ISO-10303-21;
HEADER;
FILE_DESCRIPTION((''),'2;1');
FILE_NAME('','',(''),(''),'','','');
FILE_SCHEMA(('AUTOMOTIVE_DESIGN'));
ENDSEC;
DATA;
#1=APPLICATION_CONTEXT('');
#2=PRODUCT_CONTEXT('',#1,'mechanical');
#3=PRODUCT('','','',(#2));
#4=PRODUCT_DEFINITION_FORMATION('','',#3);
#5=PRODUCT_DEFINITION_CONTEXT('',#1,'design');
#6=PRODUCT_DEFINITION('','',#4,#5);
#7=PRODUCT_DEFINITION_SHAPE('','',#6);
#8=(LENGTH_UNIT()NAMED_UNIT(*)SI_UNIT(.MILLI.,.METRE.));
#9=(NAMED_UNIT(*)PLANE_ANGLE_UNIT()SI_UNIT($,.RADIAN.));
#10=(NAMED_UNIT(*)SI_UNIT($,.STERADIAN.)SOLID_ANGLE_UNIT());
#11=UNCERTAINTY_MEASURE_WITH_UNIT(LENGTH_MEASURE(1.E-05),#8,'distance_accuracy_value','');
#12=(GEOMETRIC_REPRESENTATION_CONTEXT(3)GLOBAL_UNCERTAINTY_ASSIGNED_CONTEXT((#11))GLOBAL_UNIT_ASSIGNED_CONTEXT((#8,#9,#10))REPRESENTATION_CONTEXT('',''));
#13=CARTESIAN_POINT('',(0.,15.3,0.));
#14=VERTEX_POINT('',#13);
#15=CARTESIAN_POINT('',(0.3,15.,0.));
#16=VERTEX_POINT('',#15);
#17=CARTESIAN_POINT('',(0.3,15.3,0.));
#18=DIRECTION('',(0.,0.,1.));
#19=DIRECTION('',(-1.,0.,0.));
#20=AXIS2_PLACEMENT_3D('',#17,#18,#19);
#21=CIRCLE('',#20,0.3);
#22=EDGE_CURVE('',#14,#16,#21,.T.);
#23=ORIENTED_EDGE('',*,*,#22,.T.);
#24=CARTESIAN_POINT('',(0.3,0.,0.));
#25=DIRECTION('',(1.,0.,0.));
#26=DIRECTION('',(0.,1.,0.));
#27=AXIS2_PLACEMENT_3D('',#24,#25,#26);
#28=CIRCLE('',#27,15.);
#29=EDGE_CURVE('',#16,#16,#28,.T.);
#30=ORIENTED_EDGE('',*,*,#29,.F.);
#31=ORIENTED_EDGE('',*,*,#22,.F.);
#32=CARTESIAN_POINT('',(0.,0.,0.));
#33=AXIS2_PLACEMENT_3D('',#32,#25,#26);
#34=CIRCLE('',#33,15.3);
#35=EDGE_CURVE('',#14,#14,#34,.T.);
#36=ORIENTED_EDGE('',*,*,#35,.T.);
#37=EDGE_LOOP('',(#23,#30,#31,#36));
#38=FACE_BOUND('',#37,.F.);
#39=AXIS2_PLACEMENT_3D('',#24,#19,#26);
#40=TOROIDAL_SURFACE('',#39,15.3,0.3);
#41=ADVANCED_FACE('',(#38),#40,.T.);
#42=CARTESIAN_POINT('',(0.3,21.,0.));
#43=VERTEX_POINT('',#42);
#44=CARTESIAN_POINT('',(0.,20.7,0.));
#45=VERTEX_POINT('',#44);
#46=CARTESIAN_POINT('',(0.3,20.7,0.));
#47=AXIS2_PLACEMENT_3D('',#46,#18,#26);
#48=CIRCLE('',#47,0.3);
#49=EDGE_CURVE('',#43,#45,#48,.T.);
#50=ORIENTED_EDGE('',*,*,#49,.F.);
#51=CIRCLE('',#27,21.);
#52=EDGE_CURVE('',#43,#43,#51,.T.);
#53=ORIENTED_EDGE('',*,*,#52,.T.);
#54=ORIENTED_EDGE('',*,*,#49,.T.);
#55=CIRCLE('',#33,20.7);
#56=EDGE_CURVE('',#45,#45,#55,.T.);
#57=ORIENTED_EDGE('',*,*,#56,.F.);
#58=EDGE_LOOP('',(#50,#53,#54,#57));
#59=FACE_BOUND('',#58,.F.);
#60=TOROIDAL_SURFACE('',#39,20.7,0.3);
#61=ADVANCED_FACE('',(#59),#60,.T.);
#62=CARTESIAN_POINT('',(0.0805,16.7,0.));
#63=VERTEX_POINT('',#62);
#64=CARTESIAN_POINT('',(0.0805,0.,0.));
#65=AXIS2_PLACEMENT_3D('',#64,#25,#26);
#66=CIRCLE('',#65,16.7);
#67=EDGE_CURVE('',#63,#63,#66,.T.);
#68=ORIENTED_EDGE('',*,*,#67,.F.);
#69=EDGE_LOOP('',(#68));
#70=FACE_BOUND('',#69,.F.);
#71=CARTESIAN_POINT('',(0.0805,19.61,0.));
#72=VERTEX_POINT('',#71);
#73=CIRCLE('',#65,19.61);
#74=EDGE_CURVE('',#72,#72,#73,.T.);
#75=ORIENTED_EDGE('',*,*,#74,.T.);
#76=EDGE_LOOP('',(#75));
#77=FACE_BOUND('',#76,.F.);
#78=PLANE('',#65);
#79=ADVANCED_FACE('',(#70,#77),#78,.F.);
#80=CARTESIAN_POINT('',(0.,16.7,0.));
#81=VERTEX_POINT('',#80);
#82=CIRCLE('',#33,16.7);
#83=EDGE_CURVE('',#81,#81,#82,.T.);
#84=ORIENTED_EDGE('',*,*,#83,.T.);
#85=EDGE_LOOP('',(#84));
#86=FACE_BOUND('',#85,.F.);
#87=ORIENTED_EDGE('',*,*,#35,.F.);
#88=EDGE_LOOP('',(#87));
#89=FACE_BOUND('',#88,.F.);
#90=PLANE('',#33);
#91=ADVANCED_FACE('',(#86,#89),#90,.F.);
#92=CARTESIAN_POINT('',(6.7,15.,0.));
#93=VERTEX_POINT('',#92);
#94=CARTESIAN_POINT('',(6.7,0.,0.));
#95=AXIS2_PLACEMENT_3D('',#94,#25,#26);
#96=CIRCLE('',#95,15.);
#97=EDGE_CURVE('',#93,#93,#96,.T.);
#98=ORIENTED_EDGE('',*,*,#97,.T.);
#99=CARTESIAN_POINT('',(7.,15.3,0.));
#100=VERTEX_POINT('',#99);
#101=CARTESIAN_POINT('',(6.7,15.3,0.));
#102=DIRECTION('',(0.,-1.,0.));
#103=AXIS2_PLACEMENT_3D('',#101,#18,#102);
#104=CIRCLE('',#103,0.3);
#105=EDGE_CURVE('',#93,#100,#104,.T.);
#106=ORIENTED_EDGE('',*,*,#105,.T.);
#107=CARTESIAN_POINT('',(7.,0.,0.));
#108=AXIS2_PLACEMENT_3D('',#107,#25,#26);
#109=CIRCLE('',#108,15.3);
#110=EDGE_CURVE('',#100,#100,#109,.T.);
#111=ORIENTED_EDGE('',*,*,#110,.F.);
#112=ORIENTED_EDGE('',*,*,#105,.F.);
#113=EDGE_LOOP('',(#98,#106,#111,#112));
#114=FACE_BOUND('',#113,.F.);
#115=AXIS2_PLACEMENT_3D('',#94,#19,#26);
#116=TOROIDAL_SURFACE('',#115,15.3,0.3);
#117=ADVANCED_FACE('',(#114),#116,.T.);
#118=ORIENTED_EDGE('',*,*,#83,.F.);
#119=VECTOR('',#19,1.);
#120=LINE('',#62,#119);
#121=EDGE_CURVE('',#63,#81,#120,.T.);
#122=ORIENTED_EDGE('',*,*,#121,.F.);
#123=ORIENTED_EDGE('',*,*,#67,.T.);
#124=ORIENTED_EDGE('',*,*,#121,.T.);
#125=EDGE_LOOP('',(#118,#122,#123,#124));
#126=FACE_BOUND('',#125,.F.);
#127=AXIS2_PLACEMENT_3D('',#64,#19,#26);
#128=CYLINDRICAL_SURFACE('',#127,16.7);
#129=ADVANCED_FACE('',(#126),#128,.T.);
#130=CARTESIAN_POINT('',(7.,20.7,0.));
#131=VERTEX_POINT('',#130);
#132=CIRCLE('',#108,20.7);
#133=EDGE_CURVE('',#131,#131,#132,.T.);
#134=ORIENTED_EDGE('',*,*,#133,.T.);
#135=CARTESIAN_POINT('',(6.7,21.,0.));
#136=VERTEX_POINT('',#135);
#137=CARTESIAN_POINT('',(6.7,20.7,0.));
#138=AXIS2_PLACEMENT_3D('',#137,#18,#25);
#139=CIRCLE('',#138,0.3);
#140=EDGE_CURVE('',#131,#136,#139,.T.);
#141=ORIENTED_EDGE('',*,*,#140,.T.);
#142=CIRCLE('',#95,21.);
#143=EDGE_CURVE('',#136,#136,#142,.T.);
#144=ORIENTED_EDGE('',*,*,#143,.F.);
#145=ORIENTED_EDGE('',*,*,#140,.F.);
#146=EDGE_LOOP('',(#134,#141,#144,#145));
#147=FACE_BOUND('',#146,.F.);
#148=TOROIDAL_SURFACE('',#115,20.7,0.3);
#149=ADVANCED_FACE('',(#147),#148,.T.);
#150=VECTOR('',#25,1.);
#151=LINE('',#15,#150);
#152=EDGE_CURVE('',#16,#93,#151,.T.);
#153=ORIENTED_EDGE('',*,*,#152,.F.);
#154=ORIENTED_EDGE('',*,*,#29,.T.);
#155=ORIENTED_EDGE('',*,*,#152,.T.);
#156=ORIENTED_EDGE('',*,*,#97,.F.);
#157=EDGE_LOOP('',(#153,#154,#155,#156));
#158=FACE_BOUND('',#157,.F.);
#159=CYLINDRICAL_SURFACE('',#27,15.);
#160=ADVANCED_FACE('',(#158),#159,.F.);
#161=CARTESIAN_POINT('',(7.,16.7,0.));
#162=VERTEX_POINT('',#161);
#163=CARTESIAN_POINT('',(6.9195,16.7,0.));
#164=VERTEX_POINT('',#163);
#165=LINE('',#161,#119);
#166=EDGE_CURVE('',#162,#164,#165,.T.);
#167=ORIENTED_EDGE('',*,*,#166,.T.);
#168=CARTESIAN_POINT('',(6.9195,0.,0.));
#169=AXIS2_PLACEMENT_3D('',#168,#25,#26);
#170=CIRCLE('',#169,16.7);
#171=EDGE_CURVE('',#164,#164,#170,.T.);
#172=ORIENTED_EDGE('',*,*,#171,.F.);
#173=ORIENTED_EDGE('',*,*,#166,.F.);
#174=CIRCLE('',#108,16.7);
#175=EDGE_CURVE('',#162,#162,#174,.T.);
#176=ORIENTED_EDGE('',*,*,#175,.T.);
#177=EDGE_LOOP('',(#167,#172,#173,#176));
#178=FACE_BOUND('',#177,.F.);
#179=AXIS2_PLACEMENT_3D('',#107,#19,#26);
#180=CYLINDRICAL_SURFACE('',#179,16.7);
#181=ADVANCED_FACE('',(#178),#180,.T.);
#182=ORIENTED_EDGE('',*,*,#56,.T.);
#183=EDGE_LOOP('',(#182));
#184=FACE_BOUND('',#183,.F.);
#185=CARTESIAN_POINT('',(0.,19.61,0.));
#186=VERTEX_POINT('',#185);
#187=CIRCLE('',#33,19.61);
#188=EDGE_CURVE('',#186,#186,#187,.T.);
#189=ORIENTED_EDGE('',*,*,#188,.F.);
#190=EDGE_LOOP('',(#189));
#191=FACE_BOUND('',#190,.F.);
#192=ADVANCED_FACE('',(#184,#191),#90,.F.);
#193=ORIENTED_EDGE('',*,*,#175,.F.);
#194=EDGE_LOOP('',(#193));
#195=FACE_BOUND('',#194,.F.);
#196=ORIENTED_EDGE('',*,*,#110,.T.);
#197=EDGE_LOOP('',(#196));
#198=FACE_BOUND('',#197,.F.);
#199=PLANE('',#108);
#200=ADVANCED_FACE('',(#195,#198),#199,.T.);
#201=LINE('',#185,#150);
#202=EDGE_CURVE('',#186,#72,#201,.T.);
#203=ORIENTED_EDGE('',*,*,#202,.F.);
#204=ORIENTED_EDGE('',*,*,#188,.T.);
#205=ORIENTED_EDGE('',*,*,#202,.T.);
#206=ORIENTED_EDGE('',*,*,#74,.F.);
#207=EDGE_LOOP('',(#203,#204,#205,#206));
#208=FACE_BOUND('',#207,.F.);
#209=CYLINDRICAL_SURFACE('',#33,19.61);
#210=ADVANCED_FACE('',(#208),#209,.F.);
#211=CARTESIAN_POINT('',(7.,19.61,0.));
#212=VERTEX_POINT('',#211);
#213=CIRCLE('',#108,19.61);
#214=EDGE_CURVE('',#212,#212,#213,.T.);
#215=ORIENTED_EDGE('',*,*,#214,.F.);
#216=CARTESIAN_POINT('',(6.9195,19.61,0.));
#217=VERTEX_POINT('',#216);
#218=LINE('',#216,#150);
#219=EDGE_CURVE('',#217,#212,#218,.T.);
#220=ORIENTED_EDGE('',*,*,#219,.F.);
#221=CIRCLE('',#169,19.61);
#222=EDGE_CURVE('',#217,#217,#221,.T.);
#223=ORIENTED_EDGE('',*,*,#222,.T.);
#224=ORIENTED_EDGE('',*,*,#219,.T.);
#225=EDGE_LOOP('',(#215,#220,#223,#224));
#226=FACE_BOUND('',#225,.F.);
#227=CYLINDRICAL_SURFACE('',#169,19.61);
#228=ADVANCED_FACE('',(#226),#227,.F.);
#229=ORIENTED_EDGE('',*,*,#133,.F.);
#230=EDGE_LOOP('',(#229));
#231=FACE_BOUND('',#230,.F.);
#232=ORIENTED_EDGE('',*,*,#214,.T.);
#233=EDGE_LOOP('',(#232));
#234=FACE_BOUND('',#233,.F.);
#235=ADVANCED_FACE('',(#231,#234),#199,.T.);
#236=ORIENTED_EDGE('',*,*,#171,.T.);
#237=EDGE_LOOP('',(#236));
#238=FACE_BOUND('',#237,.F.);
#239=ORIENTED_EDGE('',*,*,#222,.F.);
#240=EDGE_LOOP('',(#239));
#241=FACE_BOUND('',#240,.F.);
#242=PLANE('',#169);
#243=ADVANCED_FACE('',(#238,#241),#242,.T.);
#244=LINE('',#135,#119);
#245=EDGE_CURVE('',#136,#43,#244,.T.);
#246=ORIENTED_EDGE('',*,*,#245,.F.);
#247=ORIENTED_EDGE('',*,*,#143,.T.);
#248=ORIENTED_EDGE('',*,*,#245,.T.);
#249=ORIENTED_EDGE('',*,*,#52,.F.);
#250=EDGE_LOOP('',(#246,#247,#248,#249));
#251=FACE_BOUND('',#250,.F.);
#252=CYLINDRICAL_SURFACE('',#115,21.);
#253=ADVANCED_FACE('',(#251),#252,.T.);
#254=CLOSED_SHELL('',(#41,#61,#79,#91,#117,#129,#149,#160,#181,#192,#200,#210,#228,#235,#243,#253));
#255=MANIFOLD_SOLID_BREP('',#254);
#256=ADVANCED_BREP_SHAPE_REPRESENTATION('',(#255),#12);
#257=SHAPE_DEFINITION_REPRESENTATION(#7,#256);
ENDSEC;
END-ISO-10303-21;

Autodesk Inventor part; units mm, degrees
sketch "Sketch_1" plane through (0, 0, 0) normal (0, 0, 1) x (1, 0, 0)
  line L0 (7, 0) -> (0, 0)
  arc A0 (0, 15.3) -> (0.3, 15) centre (0.3, 15.3) ccw
  line L1 (0.3, 15) -> (6.7, 15)
  arc A1 (6.7, 15) -> (7, 15.3) centre (6.7, 15.3) ccw
  line L2 (7, 15.3) -> (7, 16.7)
  line L3 (7, 16.7) -> (6.9195, 16.7)
  line L4 (6.9195, 16.7) -> (6.9195, 19.61)
  line L5 (6.9195, 19.61) -> (7, 19.61)
  line L6 (7, 19.61) -> (7, 20.7)
  arc A2 (7, 20.7) -> (6.7, 21) centre (6.7, 20.7) ccw
  line L7 (6.7, 21) -> (0.3, 21)
  arc A3 (0.3, 21) -> (0, 20.7) centre (0.3, 20.7) ccw
  line L8 (0, 20.7) -> (0, 19.61)
  line L9 (0, 19.61) -> (0.0805, 19.61)
  line L10 (0.0805, 19.61) -> (0.0805, 16.7)
  line L11 (0.0805, 16.7) -> (0, 16.7)
  line L12 (0, 16.7) -> (0, 15.3)
revolve "Revolution1" add sketch "Sketch_1" angle 360 about axis through (7, 0, 0) along (1, 0, 0)
ref_plane "center_point_XY" through (3.5, 0, 0) normal (1, 0, 0) x (0, 0, -1)
ref_plane "center_point_YZ" through (3.5, 0, 0) normal (0, 0, -1) x (0, 1, 0)
ref_plane "center_point_ZX" through (3.5, 0, 0) normal (0, 1, 0) x (1, 0, 0)
ref_plane "to_housing_XY" through (0, 0, 0) normal (1, 0, 0) x (0, 0, -1)
ref_plane "to_housing_YZ" through (0, 0, 0) normal (0, 0, -1) x (0, 1, 0)
ref_plane "to_housing_ZX" through (0, 0, 0) normal (0, 1, 0) x (1, 0, 0)
ref_plane "to_ring_XY" through (6.839, 0, 0) normal (1, 0, 0) x (0, 0, -1)
ref_plane "to_ring_YZ" through (6.839, 0, 0) normal (0, 0, -1) x (0, 1, 0)
ref_plane "to_ring_ZX" through (6.839, 0, 0) normal (0, 1, 0) x (1, 0, 0)
properties part number "C-E6806ZZ"
